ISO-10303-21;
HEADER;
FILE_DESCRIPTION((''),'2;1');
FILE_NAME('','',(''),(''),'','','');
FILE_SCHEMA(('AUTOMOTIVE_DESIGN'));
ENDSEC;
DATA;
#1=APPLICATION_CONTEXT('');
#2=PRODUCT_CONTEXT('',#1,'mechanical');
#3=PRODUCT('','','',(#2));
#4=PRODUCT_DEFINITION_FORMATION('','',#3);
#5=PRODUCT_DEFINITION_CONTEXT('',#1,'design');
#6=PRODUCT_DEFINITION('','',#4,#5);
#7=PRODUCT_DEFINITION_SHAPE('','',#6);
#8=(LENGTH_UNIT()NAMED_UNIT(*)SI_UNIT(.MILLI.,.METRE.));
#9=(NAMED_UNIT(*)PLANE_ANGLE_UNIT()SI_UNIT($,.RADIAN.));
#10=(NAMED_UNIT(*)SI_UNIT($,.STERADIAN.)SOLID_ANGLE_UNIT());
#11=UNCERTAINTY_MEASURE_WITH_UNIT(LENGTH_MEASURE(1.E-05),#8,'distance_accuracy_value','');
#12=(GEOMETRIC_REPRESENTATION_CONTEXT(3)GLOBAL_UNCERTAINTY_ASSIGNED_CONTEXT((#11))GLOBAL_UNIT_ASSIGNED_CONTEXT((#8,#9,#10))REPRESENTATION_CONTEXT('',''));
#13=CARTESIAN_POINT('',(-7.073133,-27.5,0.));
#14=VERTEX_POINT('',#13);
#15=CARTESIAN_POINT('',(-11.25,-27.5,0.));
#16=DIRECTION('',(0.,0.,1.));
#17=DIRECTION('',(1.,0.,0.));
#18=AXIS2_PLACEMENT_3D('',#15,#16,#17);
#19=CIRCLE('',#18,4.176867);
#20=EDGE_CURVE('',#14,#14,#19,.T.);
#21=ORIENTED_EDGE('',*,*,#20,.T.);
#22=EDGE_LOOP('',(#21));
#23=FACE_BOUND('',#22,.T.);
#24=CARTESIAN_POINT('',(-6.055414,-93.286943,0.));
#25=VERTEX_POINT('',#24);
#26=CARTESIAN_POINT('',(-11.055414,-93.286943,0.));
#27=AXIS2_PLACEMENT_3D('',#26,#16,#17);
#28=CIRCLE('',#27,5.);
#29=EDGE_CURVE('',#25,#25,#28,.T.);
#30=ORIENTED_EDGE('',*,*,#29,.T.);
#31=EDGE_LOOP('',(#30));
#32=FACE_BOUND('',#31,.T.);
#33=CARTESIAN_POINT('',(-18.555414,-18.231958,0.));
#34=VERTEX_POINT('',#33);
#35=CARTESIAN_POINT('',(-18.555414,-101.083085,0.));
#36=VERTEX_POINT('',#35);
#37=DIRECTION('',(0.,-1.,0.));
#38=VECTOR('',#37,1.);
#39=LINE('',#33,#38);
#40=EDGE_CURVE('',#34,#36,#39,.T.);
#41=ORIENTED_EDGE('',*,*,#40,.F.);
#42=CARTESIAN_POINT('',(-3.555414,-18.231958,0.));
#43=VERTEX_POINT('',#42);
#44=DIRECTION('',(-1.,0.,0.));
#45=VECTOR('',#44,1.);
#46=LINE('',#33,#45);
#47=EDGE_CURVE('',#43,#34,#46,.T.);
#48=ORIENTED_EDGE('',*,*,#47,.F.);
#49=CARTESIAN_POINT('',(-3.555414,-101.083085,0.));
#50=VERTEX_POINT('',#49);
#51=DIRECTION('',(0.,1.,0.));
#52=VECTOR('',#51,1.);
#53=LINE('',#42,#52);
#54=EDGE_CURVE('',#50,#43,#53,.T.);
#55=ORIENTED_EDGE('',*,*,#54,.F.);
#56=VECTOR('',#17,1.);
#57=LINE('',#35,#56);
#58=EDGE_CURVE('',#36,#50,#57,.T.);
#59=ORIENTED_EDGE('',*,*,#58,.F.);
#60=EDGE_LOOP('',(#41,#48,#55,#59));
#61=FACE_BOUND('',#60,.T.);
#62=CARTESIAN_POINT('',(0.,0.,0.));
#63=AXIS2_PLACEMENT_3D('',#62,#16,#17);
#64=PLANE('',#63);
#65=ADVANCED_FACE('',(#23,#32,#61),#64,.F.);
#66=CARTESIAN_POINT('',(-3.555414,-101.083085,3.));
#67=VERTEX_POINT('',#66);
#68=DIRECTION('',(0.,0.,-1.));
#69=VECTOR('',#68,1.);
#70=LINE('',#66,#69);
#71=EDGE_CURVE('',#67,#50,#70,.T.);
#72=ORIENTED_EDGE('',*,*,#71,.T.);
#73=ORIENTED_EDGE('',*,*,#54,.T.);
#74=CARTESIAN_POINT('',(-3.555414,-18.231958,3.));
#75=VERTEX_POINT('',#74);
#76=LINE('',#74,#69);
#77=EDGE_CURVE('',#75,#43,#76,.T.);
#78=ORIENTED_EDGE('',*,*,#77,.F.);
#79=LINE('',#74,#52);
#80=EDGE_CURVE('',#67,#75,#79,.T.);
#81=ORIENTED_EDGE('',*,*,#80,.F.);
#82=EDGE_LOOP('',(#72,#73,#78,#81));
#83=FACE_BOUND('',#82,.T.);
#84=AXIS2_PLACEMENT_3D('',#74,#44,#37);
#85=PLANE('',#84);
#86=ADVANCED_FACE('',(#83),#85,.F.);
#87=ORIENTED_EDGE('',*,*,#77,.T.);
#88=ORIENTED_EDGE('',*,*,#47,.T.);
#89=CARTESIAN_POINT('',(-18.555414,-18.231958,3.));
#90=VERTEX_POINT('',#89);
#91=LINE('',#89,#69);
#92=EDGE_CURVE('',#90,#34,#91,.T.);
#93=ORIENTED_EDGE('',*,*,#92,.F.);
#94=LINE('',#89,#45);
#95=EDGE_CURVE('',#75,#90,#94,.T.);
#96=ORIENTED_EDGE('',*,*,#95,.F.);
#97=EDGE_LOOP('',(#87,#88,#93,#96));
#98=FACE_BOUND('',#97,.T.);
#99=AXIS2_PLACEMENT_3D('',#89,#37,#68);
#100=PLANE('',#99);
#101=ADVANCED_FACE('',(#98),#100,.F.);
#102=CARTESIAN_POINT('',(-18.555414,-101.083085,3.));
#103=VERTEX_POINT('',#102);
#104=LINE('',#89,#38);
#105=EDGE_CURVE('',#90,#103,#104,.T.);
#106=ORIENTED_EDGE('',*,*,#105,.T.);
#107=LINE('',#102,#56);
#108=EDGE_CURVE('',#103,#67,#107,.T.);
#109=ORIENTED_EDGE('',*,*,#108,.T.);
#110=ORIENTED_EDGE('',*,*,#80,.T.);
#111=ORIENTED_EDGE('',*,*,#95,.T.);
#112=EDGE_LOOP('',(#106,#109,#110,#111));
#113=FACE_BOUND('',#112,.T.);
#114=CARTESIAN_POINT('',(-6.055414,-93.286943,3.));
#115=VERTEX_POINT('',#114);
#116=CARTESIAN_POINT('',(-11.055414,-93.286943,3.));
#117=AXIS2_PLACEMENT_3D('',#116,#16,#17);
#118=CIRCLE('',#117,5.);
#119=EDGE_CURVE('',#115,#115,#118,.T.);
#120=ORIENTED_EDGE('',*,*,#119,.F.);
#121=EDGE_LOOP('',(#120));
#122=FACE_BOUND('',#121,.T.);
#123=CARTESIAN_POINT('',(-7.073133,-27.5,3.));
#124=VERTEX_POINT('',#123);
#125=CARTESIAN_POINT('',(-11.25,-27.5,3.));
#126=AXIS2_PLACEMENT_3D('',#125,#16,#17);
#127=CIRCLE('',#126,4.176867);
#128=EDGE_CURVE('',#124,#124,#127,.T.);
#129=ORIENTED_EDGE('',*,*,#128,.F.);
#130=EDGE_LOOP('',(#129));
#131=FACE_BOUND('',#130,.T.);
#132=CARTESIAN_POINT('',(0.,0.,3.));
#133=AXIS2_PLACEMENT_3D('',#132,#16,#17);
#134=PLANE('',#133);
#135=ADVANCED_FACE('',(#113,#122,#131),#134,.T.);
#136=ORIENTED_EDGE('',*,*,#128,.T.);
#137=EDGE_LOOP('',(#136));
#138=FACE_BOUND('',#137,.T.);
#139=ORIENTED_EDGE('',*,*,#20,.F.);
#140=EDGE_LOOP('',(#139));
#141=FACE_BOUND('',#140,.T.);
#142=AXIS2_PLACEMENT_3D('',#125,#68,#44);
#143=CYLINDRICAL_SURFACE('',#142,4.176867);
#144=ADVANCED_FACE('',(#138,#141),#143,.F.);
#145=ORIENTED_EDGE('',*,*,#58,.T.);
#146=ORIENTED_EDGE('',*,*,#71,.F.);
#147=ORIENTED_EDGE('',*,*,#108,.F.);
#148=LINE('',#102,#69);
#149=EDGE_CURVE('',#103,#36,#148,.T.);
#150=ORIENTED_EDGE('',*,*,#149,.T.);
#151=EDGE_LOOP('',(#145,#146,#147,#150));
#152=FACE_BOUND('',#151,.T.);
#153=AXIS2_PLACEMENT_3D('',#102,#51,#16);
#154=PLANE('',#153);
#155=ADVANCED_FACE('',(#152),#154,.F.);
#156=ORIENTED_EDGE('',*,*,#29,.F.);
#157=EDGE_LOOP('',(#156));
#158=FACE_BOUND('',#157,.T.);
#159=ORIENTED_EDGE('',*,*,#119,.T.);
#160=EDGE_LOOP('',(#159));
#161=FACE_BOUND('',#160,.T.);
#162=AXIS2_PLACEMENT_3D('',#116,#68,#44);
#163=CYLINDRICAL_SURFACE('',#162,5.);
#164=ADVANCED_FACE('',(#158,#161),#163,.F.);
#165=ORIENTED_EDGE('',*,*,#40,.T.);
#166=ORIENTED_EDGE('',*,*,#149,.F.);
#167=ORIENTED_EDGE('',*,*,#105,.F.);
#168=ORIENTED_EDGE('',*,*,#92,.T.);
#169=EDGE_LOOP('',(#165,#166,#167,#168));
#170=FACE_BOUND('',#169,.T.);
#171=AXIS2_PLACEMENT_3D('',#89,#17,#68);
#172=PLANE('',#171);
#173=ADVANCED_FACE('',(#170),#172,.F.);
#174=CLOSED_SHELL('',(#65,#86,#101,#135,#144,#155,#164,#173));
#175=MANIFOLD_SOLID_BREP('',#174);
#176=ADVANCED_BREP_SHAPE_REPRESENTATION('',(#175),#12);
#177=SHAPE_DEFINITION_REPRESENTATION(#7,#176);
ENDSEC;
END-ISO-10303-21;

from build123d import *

# Parameters (mm, degrees)
SKETCH1_W           = 15
SKETCH1_H           = 82.851126945
SKETCH1_R           = 5
SKETCH1_R_2         = 4.176866713
BOSS_EXTRUDE1_DEPTH = 3


with BuildPart() as part:
    # Sketch1 → Boss-Extrude1 (new body)
    with BuildSketch(Plane.XY):
        with Locations((-11.055414447, -59.657521602)):
            Rectangle(SKETCH1_W, SKETCH1_H)
        with Locations((-11.055414447, -93.28694347)):
            Circle(SKETCH1_R, mode=Mode.SUBTRACT)
        with Locations((-11.25, -27.5)):
            Circle(SKETCH1_R_2, mode=Mode.SUBTRACT)
    extrude(amount=BOSS_EXTRUDE1_DEPTH)


solid = part.part
